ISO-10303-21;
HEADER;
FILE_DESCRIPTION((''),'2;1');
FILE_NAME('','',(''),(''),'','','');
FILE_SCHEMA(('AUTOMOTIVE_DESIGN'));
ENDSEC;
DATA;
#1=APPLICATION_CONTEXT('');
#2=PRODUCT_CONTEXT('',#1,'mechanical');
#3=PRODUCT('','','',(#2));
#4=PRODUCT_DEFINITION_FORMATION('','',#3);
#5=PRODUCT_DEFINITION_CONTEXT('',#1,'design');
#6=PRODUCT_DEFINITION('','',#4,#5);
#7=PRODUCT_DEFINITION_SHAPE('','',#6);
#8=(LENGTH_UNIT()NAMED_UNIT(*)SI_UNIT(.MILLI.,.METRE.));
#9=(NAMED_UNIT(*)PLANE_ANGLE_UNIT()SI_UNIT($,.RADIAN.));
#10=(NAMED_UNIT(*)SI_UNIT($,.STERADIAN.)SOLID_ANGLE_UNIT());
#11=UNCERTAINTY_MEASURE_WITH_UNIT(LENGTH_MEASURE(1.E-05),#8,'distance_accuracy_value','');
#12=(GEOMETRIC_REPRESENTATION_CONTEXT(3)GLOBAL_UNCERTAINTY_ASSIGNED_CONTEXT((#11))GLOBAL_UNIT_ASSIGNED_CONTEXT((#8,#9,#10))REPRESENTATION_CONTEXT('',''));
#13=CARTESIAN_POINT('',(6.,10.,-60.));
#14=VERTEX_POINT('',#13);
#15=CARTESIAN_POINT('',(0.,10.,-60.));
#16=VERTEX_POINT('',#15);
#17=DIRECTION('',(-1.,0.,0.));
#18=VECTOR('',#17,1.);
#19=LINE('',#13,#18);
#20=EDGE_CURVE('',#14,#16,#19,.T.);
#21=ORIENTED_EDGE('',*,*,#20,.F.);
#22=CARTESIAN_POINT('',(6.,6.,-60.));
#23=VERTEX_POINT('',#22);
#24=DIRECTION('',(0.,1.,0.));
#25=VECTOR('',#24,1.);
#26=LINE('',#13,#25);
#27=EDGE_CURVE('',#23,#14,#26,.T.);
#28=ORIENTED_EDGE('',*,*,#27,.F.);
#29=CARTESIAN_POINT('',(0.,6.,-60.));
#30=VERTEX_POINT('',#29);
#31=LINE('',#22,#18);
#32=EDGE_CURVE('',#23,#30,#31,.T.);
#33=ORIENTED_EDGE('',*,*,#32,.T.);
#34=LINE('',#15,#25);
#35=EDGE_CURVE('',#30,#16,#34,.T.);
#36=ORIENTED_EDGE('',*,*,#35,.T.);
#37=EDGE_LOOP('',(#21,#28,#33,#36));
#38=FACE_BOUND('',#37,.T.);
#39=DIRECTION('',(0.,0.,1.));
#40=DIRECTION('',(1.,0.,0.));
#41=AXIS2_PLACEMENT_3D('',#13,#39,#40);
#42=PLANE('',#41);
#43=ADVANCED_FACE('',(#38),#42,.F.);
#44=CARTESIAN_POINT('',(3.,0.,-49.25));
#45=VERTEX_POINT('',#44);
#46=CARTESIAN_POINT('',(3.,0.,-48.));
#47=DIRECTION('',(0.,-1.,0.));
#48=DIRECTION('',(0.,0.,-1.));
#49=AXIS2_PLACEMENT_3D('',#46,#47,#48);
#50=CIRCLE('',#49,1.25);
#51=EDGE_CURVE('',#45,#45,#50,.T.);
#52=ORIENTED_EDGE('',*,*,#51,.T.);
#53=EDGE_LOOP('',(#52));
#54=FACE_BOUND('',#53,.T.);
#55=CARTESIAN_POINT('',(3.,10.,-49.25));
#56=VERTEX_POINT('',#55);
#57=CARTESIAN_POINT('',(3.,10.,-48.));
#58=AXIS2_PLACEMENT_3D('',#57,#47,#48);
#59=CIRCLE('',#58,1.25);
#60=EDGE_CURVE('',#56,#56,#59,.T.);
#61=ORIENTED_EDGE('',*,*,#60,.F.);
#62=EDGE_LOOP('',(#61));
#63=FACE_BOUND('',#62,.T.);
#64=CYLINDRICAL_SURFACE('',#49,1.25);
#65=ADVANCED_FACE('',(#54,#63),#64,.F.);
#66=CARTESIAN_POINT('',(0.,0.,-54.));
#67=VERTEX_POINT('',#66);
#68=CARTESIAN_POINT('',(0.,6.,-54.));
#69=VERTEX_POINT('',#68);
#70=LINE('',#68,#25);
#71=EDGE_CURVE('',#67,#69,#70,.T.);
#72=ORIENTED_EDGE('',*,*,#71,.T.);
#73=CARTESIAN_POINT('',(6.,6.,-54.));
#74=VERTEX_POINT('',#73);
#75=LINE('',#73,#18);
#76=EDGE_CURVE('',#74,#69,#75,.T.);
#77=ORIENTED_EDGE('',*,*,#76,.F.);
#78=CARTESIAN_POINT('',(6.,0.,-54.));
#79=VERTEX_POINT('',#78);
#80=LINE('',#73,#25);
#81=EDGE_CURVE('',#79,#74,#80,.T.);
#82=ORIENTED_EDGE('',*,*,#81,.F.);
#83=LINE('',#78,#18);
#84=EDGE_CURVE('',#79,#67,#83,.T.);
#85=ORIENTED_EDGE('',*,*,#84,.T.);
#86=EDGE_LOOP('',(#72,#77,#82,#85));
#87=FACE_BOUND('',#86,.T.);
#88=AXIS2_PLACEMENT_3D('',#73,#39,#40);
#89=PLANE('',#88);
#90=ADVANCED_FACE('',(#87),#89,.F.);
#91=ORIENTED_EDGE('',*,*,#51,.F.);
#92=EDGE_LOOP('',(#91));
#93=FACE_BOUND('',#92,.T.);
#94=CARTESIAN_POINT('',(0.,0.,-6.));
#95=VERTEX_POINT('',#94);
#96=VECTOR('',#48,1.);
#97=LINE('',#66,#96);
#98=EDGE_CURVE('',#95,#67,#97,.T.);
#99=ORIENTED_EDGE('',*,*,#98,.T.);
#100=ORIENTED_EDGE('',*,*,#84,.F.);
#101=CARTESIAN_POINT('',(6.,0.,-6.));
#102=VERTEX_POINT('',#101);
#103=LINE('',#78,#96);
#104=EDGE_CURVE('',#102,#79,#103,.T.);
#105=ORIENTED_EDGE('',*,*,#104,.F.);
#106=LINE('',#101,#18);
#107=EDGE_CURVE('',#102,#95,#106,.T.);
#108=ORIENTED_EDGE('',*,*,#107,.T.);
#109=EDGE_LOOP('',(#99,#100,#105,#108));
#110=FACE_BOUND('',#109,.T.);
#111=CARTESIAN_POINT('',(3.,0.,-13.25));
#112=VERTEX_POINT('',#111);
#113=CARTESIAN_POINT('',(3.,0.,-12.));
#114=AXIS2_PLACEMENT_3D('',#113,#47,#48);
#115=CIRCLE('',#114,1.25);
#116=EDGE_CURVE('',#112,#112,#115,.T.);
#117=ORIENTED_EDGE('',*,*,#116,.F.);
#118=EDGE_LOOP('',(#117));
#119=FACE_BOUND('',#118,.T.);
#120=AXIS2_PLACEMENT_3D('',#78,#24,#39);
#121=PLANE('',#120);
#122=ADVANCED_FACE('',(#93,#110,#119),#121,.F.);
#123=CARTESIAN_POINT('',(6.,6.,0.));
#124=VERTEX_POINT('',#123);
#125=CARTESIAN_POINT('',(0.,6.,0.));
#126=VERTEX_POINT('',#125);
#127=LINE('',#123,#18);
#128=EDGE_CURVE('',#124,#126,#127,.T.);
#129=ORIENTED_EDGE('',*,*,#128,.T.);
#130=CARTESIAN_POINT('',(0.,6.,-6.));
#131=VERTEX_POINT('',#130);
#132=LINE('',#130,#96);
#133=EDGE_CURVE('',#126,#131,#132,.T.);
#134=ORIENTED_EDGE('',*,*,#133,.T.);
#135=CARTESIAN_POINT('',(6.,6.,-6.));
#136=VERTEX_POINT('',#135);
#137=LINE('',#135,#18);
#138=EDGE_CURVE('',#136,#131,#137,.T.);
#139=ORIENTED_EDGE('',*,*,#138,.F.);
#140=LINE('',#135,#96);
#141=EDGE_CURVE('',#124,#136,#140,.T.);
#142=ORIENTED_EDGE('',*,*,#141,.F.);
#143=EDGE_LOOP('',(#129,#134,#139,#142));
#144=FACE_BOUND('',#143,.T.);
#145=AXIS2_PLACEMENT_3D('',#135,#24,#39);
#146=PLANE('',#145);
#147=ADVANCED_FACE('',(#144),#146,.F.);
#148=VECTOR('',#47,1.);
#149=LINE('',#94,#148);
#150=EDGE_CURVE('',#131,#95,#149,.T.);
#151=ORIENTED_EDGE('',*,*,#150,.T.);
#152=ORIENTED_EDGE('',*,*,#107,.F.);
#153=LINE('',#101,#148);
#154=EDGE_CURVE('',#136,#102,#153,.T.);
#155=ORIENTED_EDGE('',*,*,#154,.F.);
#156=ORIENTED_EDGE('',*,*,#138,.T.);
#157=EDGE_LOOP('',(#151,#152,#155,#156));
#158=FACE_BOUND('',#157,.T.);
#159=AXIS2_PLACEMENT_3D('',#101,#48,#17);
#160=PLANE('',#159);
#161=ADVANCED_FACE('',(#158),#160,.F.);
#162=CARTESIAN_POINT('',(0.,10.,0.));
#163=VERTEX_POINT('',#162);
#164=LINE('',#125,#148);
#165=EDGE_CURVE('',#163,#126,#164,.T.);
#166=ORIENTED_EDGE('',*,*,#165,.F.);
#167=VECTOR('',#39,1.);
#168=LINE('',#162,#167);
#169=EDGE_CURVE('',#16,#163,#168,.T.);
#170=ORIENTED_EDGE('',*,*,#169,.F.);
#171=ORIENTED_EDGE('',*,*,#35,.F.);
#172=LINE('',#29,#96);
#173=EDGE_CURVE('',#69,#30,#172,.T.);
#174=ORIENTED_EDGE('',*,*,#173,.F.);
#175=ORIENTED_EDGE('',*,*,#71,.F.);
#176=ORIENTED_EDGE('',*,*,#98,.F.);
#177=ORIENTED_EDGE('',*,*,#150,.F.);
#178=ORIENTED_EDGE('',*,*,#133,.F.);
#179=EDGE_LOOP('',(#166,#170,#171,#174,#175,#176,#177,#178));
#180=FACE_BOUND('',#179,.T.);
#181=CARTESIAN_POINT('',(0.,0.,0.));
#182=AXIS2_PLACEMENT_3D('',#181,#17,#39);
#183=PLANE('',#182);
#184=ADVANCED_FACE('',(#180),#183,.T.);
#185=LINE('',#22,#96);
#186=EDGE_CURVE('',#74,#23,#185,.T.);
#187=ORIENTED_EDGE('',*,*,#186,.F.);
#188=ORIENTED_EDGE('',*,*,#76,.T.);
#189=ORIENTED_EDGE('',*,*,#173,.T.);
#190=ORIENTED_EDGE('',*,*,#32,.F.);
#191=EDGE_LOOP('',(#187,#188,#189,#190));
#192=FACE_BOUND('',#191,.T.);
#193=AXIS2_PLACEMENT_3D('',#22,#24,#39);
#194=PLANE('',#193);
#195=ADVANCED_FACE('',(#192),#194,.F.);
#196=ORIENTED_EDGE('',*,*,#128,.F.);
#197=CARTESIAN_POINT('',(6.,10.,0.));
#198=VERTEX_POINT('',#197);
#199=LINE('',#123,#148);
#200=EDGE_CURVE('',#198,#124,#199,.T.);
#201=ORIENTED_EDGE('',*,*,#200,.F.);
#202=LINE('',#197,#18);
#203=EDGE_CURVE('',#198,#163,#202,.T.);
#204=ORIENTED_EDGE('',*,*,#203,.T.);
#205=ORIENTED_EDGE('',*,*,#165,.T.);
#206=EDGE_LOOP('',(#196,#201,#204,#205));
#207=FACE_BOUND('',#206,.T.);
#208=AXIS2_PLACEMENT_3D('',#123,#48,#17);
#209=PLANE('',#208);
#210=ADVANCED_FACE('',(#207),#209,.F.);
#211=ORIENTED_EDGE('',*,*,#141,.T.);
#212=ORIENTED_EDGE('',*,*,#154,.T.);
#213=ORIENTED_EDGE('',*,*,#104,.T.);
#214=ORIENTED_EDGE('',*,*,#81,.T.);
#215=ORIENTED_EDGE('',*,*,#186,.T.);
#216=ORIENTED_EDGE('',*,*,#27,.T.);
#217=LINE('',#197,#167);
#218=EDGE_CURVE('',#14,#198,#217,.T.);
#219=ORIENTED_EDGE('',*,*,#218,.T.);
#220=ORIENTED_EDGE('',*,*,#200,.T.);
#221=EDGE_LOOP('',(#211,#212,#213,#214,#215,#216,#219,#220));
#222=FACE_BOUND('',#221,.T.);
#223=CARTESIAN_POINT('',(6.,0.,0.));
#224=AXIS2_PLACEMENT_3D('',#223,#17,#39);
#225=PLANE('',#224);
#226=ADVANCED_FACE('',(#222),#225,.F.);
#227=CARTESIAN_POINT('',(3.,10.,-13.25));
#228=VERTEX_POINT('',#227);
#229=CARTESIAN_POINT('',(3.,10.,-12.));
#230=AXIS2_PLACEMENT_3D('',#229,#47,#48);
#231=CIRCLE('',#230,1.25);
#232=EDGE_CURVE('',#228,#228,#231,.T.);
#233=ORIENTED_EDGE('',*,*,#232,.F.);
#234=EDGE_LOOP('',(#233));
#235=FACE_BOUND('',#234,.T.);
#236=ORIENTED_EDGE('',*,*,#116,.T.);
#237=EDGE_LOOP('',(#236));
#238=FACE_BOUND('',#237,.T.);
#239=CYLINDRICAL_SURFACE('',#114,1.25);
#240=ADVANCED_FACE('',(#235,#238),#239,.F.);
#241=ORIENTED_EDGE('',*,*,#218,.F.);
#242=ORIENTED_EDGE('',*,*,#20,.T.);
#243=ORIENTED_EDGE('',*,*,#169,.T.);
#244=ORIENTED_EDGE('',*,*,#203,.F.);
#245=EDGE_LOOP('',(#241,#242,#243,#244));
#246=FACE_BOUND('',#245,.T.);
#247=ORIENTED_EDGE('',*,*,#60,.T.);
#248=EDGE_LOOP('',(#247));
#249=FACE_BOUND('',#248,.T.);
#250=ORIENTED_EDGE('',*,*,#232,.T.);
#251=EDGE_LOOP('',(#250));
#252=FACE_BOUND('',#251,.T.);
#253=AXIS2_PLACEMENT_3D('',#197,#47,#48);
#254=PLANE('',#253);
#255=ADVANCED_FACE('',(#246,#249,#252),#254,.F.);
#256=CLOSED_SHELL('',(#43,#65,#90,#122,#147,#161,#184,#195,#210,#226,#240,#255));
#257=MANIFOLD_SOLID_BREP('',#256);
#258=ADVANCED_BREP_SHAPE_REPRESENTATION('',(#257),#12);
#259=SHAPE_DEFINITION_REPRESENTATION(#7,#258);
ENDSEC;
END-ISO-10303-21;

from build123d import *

# Parameters (mm, degrees)
BOSS_EXTRUDE1_DEPTH         = 6
TAP_DRILL_FOR_M3X0_5_TAP1_D = 2.5


with BuildPart() as part:
    # Sketch1 → Boss-Extrude1 (new body)
    with BuildSketch(Plane(origin=(0, 0, 0), x_dir=(0, 0, -1), z_dir=(1, 0, 0))):
        Polygon((0, 6), (0, 10), (60, 10), (60, 6), (54, 6), (54, 0), (6, 0), (6, 6), align=None)
    extrude(amount=BOSS_EXTRUDE1_DEPTH)

    # Tap Drill for M3x0.5 Tap1 (through all)
    with Locations(Plane(origin=(0, 0, 0), x_dir=(-1, 0, 0), z_dir=(0, -1, 0))):
        with Locations((-3, 12), (-3, 48)):
            Hole(TAP_DRILL_FOR_M3X0_5_TAP1_D / 2)


solid = part.part
